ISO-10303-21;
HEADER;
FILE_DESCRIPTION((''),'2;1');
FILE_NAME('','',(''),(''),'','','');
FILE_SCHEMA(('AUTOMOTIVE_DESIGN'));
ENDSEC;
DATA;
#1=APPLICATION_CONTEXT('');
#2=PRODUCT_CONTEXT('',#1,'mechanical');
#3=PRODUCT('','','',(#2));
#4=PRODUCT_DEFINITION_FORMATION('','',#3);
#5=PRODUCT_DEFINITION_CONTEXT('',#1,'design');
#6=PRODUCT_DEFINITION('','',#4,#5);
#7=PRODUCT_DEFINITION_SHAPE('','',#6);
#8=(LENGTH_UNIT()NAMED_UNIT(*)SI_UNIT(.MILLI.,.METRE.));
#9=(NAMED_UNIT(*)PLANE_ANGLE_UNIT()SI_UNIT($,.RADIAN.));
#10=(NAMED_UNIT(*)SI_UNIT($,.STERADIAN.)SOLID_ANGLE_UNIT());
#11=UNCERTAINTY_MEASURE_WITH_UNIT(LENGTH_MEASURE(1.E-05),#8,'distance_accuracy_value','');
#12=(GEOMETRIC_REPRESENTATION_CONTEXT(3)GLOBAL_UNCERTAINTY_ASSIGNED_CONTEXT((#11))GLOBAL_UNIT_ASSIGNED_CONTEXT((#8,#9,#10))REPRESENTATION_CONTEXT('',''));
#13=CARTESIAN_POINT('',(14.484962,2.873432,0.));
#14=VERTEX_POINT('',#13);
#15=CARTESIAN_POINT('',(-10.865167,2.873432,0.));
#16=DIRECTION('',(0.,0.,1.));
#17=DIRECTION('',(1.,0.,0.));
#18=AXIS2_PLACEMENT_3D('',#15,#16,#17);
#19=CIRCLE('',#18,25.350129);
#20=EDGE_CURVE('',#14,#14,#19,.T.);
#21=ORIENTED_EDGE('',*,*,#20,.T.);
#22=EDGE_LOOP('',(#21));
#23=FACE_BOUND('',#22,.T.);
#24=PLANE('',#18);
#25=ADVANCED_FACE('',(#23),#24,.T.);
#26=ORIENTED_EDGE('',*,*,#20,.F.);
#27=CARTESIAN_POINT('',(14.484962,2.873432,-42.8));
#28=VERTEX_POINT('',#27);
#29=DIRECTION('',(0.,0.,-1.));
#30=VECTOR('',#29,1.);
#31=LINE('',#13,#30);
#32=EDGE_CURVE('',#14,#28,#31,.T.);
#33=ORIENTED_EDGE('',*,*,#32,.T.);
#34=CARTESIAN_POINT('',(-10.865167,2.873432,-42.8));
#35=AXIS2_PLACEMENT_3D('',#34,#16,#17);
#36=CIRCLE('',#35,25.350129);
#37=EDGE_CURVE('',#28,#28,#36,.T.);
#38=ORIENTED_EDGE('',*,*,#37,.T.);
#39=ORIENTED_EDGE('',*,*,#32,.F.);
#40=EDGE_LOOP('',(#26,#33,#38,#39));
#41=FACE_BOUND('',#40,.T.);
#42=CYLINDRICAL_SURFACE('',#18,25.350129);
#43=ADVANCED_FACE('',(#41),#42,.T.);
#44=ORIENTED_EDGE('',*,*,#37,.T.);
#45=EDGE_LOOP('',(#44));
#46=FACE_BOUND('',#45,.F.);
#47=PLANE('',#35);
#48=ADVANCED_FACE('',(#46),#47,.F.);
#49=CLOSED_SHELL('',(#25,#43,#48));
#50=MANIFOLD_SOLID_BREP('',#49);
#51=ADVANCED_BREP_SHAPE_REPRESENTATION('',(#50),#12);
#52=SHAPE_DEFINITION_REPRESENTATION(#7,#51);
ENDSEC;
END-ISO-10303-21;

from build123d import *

# Parameters (mm, degrees)
F0_R     = 25.350129
F1_DEPTH = 42.8


with BuildPart() as f1:
    # F0 (on Top) → F1 (new body)
    with BuildSketch(Plane.XY):
        with Locations((-10.865167, 2.873432)):
            Circle(F0_R)
    extrude(amount=-F1_DEPTH)


solid = f1.part
